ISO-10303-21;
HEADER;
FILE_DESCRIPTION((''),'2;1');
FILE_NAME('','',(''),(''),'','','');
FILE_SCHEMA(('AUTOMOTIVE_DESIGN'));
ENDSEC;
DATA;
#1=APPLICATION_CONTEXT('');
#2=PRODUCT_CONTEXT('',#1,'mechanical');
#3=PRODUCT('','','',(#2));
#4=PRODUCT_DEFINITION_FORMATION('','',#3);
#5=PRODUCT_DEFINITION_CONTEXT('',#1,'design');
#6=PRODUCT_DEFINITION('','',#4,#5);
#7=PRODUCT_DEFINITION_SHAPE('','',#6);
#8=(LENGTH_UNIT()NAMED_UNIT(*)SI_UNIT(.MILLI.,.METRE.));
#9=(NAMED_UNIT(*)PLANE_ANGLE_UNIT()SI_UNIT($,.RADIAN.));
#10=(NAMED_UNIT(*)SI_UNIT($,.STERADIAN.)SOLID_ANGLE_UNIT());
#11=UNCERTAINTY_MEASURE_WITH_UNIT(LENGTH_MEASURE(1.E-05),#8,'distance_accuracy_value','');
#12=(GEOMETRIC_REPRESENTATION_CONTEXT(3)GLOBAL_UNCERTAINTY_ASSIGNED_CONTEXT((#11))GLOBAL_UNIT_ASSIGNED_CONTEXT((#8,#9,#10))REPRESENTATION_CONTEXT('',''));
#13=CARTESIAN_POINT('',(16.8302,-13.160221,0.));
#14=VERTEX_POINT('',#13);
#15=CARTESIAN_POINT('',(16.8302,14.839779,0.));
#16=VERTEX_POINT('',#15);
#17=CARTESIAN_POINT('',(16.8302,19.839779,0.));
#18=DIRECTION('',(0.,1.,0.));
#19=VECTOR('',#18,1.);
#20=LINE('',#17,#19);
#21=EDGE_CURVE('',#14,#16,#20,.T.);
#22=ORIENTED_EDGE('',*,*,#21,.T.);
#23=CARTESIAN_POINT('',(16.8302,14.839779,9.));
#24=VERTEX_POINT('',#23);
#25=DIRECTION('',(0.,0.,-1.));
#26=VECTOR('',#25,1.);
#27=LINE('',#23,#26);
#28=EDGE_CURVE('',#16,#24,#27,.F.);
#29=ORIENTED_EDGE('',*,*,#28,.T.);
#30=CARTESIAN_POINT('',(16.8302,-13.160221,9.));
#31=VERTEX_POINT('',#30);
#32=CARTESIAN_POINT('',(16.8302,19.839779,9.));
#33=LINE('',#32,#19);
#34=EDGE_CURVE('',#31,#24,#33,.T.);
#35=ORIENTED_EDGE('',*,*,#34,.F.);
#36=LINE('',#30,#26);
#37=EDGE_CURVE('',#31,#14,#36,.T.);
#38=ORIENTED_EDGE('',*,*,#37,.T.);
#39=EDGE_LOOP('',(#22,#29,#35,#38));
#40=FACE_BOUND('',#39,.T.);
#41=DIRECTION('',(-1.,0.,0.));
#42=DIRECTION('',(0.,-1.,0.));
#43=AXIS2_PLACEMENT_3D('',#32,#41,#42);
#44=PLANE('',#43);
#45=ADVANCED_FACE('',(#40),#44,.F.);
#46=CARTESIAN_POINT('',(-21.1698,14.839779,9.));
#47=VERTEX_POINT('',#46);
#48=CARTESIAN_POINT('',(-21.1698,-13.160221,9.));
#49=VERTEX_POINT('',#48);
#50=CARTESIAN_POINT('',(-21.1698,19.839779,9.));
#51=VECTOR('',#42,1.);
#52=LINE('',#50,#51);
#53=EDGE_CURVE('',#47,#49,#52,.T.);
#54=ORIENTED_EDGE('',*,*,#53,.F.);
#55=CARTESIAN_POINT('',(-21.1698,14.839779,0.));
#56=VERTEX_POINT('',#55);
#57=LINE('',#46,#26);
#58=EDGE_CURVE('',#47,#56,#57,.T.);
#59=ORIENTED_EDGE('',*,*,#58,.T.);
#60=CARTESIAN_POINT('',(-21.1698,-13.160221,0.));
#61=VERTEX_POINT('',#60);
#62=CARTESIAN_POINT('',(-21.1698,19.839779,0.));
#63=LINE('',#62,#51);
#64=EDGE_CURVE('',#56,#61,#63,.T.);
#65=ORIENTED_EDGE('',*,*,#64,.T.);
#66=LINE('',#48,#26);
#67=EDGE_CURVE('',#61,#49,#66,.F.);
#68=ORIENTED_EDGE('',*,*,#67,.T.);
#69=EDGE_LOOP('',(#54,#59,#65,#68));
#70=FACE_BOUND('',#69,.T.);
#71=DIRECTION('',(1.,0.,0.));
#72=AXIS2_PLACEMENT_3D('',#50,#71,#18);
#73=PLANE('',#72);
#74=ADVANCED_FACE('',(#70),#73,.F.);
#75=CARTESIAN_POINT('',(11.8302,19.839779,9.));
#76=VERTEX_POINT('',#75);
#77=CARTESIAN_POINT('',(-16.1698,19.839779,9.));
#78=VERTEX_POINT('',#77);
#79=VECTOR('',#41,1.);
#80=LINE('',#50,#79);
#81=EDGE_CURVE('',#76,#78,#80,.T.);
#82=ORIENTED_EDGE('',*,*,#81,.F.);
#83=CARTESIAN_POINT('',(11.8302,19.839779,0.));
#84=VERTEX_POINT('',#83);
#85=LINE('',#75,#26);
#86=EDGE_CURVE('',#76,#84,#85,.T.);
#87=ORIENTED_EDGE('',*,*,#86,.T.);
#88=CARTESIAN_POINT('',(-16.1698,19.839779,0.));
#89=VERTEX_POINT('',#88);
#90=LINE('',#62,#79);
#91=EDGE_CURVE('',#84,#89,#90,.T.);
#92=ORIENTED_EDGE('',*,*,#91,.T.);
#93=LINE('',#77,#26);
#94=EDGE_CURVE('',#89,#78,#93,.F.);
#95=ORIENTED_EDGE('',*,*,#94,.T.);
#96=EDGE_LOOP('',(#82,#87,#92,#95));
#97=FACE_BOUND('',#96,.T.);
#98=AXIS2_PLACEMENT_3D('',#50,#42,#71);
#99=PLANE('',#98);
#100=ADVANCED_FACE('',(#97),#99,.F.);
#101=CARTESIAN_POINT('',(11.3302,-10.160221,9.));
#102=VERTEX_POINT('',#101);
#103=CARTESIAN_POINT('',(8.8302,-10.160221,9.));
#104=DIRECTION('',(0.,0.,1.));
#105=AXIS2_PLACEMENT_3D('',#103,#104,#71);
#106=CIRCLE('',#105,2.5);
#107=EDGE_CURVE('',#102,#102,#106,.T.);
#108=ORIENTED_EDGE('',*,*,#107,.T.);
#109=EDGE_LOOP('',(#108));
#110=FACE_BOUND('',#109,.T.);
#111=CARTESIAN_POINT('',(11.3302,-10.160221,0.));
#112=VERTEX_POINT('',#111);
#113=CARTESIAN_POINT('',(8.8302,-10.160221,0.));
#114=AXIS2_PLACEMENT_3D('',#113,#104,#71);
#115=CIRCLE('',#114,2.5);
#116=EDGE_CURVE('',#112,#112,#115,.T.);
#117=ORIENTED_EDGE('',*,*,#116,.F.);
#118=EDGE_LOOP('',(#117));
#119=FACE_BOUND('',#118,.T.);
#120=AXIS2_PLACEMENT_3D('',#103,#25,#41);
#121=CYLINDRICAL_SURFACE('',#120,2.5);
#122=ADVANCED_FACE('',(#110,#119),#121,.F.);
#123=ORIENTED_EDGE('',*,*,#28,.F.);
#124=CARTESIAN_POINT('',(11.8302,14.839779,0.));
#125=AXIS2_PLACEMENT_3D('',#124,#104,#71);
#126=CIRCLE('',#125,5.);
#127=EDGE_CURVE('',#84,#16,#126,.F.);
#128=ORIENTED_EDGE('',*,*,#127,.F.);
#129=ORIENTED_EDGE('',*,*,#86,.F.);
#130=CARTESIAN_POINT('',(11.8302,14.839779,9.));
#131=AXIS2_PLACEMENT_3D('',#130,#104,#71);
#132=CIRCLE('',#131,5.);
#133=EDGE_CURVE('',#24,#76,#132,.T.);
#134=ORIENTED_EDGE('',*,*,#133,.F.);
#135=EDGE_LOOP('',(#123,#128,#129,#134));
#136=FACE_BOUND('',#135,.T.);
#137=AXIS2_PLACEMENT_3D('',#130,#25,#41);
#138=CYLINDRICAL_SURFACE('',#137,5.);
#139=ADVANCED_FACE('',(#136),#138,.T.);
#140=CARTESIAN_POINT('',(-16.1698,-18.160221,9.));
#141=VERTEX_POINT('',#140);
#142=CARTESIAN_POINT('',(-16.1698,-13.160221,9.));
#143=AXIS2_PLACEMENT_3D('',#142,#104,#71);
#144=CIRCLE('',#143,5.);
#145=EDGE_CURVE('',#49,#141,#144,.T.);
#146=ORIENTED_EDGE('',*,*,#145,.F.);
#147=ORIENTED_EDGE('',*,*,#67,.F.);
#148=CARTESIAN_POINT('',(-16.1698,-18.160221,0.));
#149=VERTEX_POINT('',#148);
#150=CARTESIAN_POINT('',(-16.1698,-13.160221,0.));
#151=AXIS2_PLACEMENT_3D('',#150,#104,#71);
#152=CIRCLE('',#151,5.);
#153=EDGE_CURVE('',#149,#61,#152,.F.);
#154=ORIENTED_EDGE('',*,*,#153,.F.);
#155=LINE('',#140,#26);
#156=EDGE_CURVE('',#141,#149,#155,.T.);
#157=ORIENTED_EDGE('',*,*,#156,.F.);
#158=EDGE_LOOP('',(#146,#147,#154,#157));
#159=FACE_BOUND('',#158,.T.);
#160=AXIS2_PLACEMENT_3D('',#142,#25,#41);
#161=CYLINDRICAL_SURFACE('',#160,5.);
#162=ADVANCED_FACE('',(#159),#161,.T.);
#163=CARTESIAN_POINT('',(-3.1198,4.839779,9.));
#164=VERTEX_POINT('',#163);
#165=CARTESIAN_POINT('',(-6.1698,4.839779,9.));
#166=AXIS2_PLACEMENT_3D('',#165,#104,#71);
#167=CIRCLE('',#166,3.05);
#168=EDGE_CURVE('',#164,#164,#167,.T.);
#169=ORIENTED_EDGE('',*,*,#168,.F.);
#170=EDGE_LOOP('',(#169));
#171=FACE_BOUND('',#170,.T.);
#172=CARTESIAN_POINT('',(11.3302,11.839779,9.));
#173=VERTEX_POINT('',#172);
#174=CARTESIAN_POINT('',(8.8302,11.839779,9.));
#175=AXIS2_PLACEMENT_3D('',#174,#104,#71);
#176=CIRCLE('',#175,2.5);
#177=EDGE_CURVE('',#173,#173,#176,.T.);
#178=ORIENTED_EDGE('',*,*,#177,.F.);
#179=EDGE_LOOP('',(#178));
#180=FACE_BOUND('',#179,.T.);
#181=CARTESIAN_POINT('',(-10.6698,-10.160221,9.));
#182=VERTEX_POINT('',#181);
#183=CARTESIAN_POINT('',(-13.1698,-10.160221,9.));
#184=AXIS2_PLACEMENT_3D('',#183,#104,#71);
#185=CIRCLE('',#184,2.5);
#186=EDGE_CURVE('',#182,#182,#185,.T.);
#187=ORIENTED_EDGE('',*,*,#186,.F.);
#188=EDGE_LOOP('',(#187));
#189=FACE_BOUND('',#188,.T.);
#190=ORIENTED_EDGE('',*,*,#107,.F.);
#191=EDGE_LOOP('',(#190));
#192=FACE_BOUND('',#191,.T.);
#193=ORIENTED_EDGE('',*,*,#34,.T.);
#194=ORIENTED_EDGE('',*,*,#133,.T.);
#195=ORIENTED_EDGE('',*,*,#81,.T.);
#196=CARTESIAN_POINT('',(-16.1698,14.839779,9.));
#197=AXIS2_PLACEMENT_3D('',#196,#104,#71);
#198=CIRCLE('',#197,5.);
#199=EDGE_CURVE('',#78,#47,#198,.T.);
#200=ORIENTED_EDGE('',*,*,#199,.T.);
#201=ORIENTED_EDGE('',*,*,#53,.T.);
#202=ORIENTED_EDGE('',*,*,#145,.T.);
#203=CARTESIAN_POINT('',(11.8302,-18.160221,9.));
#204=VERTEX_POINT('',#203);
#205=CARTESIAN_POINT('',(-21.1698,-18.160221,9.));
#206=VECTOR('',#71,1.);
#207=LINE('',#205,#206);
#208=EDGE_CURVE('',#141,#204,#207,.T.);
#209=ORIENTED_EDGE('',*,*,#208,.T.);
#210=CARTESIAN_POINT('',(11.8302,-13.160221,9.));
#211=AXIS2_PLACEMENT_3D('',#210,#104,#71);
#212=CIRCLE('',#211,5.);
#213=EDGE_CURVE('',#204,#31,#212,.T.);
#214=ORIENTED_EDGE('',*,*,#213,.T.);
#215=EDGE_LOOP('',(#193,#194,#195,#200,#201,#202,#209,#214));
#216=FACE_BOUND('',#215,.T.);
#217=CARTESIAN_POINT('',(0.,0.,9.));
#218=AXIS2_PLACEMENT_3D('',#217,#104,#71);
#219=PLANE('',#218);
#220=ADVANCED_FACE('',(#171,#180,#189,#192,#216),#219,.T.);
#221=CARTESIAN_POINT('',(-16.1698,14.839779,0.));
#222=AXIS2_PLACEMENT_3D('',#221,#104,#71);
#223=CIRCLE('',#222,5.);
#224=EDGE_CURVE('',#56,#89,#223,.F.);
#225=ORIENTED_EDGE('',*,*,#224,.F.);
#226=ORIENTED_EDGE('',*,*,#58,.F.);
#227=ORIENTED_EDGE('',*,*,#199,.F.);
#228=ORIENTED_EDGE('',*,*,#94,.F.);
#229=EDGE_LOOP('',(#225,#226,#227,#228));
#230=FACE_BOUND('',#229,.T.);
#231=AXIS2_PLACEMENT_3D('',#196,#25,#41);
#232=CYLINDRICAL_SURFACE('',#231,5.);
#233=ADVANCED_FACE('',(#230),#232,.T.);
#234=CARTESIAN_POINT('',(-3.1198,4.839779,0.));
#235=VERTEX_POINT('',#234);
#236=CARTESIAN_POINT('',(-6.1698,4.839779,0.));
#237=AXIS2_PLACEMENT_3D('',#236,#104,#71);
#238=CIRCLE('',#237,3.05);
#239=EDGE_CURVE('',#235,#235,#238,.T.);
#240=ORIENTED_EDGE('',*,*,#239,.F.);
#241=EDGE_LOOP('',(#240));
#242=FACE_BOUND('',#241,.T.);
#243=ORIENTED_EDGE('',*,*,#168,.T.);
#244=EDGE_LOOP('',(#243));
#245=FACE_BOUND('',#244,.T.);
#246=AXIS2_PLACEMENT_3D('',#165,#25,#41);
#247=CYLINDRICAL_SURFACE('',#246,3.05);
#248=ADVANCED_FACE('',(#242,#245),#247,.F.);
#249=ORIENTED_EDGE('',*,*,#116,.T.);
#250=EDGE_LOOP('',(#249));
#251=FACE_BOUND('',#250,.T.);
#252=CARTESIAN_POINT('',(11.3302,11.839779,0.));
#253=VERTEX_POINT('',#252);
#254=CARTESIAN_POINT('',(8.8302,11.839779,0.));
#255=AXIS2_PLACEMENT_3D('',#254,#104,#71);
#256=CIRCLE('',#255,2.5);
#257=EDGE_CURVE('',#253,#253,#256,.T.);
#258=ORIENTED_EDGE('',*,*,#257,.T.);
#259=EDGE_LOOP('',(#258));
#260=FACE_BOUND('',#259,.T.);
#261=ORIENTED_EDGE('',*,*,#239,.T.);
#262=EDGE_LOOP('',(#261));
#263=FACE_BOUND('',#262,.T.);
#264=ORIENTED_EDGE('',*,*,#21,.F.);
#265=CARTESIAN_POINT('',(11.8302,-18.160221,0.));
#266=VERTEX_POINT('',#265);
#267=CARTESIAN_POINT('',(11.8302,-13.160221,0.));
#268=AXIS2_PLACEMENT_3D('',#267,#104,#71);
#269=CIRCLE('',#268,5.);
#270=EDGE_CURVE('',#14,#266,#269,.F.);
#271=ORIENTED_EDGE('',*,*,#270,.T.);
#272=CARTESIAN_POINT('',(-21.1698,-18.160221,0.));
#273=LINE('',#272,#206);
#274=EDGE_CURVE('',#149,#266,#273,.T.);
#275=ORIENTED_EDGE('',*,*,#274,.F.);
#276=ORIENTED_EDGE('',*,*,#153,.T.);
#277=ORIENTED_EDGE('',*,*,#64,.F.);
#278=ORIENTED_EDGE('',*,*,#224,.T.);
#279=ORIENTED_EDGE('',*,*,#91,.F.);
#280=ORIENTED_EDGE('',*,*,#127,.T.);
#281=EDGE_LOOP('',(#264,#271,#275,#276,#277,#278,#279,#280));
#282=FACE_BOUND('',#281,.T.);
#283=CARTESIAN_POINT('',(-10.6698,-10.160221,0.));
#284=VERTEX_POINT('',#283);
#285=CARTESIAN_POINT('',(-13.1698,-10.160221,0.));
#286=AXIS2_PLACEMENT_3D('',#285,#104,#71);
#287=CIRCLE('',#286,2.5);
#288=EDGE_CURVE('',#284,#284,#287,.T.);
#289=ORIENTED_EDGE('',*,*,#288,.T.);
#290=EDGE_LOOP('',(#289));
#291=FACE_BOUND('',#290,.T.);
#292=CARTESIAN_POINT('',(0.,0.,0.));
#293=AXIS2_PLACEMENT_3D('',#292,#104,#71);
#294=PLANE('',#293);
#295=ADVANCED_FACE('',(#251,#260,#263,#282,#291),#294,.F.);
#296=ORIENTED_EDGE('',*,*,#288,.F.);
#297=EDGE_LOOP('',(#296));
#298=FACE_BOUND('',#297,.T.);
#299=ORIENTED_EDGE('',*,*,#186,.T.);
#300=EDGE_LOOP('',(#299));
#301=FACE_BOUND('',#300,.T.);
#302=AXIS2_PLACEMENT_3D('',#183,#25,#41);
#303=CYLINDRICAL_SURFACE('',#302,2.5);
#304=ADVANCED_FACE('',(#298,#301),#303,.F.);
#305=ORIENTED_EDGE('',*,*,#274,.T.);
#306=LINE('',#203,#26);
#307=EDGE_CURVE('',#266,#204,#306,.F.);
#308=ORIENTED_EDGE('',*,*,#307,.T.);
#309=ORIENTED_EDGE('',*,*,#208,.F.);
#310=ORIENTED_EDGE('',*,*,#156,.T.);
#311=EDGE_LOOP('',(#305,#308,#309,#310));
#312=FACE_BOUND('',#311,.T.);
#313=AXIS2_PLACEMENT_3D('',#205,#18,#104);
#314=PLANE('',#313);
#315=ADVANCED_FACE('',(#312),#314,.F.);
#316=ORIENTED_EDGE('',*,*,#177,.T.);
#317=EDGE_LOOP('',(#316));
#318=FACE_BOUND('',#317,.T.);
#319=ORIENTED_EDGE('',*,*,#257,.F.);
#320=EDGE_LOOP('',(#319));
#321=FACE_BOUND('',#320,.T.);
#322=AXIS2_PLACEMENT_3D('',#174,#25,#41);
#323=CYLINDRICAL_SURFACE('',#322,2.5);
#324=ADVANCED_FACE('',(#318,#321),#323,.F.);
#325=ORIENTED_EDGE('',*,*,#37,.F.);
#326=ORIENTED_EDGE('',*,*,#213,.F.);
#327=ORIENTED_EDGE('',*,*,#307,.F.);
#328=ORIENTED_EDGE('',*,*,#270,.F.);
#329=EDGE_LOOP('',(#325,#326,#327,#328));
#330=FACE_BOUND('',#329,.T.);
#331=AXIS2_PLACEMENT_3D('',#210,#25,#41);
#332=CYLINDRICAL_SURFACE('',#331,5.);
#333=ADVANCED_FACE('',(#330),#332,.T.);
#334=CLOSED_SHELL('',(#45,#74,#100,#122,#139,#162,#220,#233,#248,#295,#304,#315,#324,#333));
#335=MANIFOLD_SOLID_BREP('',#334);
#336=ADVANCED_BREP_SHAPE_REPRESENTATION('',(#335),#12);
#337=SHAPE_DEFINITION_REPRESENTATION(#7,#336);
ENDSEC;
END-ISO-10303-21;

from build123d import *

# Parameters (mm, degrees)
SKETCH_1_W      = 38
SKETCH_1_H      = 38
SKETCH_1_R      = 2.5
SKETCH_1_R_2    = 3.05
EXTRUDE_1_DEPTH = 9
FILLET_1_R      = 5


with BuildPart() as part:
    # 草图1 → 凸台-拉伸1 (new body)
    with BuildSketch(Plane.XY):
        with Locations((-2.169799589, 0.839779006)):
            Rectangle(SKETCH_1_W, SKETCH_1_H)
        with Locations((8.830200411, 11.839779006)):
            Circle(SKETCH_1_R, mode=Mode.SUBTRACT)
        with Locations((8.830200411, -10.160220994)):
            Circle(SKETCH_1_R, mode=Mode.SUBTRACT)
        with Locations((-13.169799589, -10.160220994)):
            Circle(SKETCH_1_R, mode=Mode.SUBTRACT)
        with Locations((-6.169799589, 4.839779006)):
            Circle(SKETCH_1_R_2, mode=Mode.SUBTRACT)
    extrude(amount=EXTRUDE_1_DEPTH)

    # 圆角1
    fillet_1_edges = [part.edges().sort_by_distance(p)[0] for p in [
        (-21.169799589, 19.839779006, 4.5),
        (16.830200411, 19.839779006, 4.5),
        (16.830200411, -18.160220994, 4.5),
        (-21.169799589, -18.160220994, 4.5),
    ]]
    fillet(fillet_1_edges, radius=FILLET_1_R)


solid = part.part
